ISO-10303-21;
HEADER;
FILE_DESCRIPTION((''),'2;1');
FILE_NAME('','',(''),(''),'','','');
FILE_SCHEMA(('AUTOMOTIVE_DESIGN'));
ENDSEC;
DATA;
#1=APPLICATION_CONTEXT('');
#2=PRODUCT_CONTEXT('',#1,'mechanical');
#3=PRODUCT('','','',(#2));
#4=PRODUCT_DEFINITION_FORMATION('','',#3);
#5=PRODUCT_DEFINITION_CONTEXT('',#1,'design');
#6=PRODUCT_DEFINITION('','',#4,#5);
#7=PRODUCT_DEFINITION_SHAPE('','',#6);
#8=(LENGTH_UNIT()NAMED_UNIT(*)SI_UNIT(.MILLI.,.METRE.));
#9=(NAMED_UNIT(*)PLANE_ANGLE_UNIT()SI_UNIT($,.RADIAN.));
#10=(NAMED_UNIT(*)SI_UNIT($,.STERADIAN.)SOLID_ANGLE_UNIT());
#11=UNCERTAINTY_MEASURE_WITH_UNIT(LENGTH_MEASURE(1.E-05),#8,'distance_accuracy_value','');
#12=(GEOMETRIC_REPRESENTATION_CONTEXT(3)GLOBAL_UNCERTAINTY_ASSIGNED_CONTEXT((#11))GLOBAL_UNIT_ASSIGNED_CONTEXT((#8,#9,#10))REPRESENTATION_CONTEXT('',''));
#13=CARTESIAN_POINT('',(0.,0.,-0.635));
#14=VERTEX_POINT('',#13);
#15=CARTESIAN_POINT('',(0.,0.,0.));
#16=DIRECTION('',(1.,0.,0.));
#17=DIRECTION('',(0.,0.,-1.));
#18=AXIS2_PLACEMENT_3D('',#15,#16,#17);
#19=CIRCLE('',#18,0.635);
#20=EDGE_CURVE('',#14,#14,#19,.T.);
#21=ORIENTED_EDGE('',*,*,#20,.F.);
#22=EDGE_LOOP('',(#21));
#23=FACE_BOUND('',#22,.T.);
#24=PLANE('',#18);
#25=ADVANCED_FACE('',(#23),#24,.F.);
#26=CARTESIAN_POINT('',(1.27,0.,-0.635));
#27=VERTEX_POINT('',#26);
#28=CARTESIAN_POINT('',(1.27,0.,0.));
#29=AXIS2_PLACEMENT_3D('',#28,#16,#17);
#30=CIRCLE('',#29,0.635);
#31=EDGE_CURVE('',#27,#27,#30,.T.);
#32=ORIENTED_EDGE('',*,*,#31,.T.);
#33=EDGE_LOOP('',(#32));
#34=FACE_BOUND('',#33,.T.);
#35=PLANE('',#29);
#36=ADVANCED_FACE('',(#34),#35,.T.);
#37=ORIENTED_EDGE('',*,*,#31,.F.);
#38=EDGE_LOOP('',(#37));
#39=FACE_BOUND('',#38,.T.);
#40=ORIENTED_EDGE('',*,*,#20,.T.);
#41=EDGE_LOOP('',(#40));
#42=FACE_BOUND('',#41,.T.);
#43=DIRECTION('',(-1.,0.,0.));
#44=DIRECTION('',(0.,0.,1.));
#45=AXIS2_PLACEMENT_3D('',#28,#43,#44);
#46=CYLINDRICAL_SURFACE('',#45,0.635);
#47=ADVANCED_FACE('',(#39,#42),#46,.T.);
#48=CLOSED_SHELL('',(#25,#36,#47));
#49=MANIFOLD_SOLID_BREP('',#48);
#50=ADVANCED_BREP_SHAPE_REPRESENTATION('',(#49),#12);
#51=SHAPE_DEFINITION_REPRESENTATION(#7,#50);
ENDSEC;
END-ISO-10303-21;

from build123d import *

# Parameters (mm, degrees)
SKETCH1_R           = 0.635
BOSS_EXTRUDE1_DEPTH = 1.27


with BuildPart() as part:
    # Sketch1 → Boss-Extrude1 (new body)
    with BuildSketch(Plane(origin=(0, 0, 0), x_dir=(0, 0, -1), z_dir=(1, 0, 0))):
        Circle(SKETCH1_R)
    extrude(amount=BOSS_EXTRUDE1_DEPTH)


solid = part.part
